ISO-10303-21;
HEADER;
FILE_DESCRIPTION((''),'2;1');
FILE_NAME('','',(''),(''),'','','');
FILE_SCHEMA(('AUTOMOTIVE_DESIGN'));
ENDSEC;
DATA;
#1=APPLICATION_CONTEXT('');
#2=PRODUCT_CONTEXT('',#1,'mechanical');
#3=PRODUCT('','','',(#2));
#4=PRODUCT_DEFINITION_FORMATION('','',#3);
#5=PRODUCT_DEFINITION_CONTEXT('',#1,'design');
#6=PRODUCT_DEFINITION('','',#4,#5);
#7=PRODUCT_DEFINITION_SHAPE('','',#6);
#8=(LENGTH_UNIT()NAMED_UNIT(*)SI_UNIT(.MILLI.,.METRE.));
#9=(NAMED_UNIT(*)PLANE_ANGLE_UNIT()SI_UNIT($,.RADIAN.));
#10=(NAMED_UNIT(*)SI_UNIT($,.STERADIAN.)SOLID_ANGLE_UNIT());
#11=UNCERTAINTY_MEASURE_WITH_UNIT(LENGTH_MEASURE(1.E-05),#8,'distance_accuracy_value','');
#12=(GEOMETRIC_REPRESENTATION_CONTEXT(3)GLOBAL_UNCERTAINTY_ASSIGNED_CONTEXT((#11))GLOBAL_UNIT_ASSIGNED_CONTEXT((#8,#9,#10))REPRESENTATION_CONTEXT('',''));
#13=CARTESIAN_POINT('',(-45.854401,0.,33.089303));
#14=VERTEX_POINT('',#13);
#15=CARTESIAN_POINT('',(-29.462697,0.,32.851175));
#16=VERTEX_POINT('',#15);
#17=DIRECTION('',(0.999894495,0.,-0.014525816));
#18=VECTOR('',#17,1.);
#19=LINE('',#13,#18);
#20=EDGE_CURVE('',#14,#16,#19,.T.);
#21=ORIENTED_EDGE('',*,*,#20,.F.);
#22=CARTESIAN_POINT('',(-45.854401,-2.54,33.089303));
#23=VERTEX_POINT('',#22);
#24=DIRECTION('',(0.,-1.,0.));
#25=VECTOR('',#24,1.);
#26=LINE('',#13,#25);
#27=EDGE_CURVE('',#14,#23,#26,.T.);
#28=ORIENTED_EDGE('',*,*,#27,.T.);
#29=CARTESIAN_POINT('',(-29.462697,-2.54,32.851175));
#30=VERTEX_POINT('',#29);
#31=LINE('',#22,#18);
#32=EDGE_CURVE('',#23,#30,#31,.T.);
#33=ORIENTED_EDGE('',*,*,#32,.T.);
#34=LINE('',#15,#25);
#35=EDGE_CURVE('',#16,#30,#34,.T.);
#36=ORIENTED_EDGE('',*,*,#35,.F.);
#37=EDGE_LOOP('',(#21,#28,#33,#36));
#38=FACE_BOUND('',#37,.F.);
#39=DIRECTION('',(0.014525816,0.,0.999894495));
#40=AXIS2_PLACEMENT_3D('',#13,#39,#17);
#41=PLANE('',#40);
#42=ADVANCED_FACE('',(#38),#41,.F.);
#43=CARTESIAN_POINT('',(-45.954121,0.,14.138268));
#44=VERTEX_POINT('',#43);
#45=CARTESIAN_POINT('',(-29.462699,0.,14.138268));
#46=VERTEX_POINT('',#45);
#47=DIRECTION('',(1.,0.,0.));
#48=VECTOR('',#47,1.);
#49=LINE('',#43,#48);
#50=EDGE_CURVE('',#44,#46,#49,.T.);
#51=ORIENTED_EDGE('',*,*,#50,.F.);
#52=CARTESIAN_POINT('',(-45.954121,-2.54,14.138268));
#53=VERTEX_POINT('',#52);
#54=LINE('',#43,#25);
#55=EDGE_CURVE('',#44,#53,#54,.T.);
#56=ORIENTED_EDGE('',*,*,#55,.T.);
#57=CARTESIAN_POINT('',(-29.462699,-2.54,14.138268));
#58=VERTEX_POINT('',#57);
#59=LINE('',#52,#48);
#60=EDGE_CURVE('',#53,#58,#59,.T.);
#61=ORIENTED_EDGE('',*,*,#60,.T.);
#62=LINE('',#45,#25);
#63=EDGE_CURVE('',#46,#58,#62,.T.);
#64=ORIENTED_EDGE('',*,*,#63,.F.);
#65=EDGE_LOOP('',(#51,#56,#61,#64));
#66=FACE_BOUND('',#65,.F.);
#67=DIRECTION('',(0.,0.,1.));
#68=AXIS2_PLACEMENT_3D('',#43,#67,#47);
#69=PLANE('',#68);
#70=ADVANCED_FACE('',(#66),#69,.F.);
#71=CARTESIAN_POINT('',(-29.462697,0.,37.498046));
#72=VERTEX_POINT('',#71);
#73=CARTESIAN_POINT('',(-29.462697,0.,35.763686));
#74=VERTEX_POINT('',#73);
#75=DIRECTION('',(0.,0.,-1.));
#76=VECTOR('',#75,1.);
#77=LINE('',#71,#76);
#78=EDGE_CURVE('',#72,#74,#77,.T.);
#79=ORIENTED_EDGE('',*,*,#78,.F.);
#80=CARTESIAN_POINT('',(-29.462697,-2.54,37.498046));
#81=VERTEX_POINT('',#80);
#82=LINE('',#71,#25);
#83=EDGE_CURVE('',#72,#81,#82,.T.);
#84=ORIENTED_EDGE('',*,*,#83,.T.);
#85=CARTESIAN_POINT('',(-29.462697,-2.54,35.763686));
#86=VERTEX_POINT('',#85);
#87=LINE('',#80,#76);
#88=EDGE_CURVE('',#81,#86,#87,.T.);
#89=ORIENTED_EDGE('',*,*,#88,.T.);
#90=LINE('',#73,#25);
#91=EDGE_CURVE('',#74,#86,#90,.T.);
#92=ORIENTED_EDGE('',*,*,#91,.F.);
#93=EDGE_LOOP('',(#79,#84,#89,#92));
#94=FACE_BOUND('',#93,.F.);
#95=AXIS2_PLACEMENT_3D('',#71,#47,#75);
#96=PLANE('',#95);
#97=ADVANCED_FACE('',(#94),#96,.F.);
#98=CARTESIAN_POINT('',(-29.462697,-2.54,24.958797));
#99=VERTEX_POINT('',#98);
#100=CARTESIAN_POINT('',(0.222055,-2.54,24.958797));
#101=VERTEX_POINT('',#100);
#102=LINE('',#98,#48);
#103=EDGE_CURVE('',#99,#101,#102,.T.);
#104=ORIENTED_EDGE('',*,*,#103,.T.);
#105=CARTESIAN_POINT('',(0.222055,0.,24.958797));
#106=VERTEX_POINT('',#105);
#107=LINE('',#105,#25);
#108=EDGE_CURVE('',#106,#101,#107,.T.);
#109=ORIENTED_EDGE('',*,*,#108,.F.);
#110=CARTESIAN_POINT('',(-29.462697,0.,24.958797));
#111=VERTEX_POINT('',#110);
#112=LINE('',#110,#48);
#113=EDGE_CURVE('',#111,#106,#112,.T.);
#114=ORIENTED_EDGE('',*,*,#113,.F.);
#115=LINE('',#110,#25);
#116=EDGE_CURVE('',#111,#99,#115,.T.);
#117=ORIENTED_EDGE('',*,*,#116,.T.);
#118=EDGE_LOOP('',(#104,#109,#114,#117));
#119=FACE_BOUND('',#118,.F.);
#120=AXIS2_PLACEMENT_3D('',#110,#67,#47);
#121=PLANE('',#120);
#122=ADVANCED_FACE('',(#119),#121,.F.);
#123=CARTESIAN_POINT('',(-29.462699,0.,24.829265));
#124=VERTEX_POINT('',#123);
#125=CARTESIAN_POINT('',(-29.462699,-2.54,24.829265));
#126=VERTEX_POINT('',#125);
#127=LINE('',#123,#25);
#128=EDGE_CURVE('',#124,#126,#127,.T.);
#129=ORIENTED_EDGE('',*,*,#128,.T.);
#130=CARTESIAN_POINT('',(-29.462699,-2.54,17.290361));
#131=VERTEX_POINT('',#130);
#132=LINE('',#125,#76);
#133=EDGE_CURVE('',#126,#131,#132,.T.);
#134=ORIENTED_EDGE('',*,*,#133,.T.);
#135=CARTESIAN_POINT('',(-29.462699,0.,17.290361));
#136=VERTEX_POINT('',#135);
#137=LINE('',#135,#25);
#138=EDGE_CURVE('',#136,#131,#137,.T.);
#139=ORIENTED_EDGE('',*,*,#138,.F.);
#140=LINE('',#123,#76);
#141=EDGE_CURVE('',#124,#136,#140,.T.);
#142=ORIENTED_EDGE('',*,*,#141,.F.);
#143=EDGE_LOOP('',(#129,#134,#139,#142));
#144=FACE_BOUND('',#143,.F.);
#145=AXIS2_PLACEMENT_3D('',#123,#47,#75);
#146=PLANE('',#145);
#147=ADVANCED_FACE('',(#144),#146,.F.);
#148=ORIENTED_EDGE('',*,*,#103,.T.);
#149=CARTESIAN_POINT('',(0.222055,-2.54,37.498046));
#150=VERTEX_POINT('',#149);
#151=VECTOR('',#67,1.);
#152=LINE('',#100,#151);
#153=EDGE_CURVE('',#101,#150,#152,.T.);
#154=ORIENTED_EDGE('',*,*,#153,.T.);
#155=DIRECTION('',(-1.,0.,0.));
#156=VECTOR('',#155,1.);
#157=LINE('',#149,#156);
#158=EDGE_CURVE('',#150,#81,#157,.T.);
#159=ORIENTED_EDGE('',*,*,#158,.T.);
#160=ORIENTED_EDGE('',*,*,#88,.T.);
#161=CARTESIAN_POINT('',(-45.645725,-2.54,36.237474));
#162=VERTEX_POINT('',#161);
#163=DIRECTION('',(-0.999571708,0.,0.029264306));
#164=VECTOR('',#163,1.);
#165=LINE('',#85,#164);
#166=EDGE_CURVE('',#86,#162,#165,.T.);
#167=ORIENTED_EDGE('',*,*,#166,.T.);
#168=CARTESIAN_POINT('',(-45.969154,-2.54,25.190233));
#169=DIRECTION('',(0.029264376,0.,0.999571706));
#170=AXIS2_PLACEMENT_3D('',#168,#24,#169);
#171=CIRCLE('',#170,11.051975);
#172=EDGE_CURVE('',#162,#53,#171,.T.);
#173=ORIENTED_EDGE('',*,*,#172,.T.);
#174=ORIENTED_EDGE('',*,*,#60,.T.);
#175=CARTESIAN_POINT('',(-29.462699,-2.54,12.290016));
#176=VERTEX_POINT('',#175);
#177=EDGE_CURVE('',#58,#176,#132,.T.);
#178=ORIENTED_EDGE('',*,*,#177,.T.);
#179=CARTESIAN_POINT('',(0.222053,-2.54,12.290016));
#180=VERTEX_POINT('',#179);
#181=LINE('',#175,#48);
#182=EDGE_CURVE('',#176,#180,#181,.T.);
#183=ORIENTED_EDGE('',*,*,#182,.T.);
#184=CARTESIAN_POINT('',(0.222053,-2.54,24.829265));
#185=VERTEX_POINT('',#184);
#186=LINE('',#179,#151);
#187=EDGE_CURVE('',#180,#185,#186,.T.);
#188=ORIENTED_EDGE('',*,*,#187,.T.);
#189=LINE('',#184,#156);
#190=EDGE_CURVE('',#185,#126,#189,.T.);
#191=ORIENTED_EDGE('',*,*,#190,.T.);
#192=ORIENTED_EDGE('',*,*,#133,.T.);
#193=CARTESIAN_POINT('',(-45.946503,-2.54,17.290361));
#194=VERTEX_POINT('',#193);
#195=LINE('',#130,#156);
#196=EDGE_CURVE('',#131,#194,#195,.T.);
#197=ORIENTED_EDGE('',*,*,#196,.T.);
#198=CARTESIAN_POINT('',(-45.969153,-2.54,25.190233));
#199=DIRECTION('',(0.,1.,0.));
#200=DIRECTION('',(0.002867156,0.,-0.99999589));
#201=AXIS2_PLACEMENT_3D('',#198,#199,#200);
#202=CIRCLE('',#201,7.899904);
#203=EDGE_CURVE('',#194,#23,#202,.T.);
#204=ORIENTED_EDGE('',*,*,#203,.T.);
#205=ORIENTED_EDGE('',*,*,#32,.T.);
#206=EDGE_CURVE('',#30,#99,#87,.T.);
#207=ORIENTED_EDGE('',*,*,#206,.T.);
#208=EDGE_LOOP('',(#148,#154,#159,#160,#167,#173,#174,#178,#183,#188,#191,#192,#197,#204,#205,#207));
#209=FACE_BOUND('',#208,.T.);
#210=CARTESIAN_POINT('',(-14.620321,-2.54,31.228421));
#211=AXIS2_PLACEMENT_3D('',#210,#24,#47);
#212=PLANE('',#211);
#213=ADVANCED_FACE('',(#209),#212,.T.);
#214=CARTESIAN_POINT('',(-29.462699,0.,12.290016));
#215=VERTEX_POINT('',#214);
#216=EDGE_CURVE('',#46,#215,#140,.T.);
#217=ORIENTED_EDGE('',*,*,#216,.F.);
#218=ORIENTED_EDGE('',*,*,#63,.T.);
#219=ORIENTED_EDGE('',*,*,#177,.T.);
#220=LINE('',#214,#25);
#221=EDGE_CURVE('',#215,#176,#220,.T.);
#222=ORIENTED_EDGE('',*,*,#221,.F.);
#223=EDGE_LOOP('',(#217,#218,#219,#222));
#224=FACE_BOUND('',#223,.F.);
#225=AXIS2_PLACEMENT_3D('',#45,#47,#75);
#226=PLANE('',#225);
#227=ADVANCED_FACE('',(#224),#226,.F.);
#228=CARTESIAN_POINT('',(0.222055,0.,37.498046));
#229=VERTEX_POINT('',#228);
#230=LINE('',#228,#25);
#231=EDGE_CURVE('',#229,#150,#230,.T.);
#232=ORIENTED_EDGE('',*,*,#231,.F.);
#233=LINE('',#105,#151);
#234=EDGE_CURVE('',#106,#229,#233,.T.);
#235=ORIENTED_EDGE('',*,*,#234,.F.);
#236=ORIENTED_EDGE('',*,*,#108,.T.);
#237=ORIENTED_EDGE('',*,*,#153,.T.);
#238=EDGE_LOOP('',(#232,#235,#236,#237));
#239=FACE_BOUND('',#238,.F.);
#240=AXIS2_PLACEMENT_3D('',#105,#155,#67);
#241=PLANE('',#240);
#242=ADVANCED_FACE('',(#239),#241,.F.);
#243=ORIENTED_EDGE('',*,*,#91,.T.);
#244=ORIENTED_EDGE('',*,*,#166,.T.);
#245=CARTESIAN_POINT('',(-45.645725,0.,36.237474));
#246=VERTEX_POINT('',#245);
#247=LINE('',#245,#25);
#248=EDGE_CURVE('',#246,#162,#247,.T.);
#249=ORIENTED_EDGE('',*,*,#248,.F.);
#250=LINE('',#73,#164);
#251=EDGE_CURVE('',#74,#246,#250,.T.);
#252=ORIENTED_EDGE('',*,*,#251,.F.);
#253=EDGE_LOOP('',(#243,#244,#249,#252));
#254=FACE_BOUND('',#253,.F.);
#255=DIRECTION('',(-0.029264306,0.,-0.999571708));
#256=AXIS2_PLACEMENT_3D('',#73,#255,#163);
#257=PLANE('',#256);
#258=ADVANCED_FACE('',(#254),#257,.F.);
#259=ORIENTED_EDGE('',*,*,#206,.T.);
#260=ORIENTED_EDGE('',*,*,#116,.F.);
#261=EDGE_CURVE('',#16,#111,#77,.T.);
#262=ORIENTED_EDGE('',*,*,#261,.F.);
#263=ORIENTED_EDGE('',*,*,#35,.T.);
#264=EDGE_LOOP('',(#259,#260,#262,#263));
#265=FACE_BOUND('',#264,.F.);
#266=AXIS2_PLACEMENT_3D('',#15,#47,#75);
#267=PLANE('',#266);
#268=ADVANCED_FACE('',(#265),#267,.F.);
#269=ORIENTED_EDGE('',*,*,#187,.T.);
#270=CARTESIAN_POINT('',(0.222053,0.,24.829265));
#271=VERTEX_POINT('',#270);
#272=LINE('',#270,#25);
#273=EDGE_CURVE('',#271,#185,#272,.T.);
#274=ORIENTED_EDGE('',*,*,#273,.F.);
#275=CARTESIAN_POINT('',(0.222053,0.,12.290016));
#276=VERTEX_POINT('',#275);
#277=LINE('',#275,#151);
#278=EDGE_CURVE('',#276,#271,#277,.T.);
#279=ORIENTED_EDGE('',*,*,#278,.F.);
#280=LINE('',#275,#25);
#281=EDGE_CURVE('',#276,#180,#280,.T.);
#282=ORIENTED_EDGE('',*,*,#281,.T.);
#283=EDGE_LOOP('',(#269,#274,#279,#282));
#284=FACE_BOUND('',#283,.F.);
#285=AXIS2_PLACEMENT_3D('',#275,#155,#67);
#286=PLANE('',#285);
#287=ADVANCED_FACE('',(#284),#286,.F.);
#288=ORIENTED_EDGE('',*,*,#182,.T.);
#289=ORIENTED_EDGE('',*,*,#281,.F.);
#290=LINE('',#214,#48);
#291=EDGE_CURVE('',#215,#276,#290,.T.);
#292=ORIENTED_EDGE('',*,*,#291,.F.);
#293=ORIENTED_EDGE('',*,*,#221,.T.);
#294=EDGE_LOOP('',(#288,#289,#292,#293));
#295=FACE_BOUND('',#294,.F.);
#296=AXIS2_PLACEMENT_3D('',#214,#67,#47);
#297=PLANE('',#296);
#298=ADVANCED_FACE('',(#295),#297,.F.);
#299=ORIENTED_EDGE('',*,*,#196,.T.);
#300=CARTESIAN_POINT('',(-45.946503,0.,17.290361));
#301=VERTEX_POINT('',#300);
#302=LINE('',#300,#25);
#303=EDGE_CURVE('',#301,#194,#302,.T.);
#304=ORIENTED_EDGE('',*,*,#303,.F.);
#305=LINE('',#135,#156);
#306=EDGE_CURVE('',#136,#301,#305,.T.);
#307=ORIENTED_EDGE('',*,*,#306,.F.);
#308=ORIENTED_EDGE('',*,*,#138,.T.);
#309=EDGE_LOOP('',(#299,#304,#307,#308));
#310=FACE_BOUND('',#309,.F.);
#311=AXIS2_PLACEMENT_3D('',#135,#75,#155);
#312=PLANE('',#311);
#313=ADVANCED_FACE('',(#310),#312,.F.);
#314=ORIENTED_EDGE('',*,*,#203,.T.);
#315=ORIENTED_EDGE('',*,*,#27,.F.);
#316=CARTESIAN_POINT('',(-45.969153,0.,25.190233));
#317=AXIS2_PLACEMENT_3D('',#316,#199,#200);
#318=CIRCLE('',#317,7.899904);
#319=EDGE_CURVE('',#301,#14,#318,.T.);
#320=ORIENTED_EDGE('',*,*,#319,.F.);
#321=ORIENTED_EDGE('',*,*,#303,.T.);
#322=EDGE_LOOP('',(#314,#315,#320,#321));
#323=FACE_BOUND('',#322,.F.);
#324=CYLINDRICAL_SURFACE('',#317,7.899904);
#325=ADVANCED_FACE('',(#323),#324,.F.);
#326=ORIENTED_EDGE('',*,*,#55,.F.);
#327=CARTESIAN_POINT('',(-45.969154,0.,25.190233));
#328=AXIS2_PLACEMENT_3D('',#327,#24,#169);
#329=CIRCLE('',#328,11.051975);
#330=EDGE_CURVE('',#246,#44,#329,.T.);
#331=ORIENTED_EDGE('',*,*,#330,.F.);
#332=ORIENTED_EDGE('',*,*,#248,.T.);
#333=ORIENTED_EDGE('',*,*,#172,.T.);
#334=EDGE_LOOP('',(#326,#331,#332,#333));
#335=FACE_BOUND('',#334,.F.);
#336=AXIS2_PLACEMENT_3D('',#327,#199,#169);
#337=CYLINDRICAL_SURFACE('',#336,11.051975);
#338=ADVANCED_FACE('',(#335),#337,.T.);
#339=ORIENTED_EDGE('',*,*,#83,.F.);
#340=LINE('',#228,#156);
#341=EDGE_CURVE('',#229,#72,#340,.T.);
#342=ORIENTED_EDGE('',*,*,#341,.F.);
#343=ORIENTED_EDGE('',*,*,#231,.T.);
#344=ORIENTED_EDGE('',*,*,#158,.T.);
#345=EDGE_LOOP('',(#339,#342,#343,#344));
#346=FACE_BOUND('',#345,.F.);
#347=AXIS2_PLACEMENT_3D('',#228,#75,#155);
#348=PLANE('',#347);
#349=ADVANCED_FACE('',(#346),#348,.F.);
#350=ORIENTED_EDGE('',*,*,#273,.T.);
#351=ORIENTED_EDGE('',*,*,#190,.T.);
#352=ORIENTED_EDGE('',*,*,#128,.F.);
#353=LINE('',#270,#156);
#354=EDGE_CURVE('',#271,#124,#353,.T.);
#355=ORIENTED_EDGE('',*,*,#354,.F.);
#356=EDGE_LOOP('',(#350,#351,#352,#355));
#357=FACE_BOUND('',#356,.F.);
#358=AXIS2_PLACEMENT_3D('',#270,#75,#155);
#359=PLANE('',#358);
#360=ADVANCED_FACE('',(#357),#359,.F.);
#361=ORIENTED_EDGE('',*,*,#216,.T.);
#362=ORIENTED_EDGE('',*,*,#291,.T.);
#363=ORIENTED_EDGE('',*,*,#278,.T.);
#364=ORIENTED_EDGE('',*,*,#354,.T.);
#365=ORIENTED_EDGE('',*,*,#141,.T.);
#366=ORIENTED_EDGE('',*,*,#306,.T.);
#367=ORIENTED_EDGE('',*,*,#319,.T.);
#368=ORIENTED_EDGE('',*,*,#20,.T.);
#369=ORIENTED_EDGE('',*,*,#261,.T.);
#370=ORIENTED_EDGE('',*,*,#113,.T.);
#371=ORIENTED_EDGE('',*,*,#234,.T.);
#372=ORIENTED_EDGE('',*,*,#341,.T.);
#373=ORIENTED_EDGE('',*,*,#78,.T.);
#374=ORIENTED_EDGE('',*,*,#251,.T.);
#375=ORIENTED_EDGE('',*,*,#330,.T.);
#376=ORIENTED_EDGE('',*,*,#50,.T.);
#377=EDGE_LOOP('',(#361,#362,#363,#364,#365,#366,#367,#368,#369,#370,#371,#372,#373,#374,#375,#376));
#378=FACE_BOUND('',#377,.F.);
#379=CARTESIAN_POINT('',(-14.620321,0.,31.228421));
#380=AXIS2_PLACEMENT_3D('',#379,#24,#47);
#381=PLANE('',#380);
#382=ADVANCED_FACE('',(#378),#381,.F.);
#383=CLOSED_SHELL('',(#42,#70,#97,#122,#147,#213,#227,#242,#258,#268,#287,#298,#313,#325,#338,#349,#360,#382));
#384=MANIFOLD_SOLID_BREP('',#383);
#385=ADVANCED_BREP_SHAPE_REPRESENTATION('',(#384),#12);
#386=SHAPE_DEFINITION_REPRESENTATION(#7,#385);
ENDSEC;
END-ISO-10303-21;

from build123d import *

# Parameters (mm, degrees)
F1_DEPTH = 2.54


with BuildPart() as f1:
    # F0 (on Front) → F1 (new body)
    with BuildSketch(Plane.XZ):
        Polygon((0.222055, 37.498046), (-29.462697, 37.498046), (-29.462697, 35.763686), (-29.462697, 32.851175), (-29.462697, 24.958797), (0.222055, 24.958797), align=None)
        Polygon((-29.462699, 17.290361), (-29.462699, 14.138268), (-29.462699, 12.290016), (0.222053, 12.290016), (0.222053, 24.829265), (-29.462699, 24.829265), align=None)
        with BuildLine():
            Line((-29.462697, 32.851175), (-29.462697, 35.763686))
            Line((-29.462697, 35.763686), (-45.645725, 36.237474))
            ThreePointArc((-45.645725, 36.237474), (-57.020053, 25.344449), (-45.954121, 14.138268))
            Line((-45.954121, 14.138268), (-29.462699, 14.138268))
            Line((-29.462699, 14.138268), (-29.462699, 17.290361))
            Line((-29.462699, 17.290361), (-45.946503, 17.290361))
            ThreePointArc((-45.946503, 17.290361), (-53.868923, 25.236285), (-45.854401, 33.089303))
            Line((-45.854401, 33.089303), (-29.462697, 32.851175))
        make_face()
    extrude(amount=F1_DEPTH)


solid = f1.part
